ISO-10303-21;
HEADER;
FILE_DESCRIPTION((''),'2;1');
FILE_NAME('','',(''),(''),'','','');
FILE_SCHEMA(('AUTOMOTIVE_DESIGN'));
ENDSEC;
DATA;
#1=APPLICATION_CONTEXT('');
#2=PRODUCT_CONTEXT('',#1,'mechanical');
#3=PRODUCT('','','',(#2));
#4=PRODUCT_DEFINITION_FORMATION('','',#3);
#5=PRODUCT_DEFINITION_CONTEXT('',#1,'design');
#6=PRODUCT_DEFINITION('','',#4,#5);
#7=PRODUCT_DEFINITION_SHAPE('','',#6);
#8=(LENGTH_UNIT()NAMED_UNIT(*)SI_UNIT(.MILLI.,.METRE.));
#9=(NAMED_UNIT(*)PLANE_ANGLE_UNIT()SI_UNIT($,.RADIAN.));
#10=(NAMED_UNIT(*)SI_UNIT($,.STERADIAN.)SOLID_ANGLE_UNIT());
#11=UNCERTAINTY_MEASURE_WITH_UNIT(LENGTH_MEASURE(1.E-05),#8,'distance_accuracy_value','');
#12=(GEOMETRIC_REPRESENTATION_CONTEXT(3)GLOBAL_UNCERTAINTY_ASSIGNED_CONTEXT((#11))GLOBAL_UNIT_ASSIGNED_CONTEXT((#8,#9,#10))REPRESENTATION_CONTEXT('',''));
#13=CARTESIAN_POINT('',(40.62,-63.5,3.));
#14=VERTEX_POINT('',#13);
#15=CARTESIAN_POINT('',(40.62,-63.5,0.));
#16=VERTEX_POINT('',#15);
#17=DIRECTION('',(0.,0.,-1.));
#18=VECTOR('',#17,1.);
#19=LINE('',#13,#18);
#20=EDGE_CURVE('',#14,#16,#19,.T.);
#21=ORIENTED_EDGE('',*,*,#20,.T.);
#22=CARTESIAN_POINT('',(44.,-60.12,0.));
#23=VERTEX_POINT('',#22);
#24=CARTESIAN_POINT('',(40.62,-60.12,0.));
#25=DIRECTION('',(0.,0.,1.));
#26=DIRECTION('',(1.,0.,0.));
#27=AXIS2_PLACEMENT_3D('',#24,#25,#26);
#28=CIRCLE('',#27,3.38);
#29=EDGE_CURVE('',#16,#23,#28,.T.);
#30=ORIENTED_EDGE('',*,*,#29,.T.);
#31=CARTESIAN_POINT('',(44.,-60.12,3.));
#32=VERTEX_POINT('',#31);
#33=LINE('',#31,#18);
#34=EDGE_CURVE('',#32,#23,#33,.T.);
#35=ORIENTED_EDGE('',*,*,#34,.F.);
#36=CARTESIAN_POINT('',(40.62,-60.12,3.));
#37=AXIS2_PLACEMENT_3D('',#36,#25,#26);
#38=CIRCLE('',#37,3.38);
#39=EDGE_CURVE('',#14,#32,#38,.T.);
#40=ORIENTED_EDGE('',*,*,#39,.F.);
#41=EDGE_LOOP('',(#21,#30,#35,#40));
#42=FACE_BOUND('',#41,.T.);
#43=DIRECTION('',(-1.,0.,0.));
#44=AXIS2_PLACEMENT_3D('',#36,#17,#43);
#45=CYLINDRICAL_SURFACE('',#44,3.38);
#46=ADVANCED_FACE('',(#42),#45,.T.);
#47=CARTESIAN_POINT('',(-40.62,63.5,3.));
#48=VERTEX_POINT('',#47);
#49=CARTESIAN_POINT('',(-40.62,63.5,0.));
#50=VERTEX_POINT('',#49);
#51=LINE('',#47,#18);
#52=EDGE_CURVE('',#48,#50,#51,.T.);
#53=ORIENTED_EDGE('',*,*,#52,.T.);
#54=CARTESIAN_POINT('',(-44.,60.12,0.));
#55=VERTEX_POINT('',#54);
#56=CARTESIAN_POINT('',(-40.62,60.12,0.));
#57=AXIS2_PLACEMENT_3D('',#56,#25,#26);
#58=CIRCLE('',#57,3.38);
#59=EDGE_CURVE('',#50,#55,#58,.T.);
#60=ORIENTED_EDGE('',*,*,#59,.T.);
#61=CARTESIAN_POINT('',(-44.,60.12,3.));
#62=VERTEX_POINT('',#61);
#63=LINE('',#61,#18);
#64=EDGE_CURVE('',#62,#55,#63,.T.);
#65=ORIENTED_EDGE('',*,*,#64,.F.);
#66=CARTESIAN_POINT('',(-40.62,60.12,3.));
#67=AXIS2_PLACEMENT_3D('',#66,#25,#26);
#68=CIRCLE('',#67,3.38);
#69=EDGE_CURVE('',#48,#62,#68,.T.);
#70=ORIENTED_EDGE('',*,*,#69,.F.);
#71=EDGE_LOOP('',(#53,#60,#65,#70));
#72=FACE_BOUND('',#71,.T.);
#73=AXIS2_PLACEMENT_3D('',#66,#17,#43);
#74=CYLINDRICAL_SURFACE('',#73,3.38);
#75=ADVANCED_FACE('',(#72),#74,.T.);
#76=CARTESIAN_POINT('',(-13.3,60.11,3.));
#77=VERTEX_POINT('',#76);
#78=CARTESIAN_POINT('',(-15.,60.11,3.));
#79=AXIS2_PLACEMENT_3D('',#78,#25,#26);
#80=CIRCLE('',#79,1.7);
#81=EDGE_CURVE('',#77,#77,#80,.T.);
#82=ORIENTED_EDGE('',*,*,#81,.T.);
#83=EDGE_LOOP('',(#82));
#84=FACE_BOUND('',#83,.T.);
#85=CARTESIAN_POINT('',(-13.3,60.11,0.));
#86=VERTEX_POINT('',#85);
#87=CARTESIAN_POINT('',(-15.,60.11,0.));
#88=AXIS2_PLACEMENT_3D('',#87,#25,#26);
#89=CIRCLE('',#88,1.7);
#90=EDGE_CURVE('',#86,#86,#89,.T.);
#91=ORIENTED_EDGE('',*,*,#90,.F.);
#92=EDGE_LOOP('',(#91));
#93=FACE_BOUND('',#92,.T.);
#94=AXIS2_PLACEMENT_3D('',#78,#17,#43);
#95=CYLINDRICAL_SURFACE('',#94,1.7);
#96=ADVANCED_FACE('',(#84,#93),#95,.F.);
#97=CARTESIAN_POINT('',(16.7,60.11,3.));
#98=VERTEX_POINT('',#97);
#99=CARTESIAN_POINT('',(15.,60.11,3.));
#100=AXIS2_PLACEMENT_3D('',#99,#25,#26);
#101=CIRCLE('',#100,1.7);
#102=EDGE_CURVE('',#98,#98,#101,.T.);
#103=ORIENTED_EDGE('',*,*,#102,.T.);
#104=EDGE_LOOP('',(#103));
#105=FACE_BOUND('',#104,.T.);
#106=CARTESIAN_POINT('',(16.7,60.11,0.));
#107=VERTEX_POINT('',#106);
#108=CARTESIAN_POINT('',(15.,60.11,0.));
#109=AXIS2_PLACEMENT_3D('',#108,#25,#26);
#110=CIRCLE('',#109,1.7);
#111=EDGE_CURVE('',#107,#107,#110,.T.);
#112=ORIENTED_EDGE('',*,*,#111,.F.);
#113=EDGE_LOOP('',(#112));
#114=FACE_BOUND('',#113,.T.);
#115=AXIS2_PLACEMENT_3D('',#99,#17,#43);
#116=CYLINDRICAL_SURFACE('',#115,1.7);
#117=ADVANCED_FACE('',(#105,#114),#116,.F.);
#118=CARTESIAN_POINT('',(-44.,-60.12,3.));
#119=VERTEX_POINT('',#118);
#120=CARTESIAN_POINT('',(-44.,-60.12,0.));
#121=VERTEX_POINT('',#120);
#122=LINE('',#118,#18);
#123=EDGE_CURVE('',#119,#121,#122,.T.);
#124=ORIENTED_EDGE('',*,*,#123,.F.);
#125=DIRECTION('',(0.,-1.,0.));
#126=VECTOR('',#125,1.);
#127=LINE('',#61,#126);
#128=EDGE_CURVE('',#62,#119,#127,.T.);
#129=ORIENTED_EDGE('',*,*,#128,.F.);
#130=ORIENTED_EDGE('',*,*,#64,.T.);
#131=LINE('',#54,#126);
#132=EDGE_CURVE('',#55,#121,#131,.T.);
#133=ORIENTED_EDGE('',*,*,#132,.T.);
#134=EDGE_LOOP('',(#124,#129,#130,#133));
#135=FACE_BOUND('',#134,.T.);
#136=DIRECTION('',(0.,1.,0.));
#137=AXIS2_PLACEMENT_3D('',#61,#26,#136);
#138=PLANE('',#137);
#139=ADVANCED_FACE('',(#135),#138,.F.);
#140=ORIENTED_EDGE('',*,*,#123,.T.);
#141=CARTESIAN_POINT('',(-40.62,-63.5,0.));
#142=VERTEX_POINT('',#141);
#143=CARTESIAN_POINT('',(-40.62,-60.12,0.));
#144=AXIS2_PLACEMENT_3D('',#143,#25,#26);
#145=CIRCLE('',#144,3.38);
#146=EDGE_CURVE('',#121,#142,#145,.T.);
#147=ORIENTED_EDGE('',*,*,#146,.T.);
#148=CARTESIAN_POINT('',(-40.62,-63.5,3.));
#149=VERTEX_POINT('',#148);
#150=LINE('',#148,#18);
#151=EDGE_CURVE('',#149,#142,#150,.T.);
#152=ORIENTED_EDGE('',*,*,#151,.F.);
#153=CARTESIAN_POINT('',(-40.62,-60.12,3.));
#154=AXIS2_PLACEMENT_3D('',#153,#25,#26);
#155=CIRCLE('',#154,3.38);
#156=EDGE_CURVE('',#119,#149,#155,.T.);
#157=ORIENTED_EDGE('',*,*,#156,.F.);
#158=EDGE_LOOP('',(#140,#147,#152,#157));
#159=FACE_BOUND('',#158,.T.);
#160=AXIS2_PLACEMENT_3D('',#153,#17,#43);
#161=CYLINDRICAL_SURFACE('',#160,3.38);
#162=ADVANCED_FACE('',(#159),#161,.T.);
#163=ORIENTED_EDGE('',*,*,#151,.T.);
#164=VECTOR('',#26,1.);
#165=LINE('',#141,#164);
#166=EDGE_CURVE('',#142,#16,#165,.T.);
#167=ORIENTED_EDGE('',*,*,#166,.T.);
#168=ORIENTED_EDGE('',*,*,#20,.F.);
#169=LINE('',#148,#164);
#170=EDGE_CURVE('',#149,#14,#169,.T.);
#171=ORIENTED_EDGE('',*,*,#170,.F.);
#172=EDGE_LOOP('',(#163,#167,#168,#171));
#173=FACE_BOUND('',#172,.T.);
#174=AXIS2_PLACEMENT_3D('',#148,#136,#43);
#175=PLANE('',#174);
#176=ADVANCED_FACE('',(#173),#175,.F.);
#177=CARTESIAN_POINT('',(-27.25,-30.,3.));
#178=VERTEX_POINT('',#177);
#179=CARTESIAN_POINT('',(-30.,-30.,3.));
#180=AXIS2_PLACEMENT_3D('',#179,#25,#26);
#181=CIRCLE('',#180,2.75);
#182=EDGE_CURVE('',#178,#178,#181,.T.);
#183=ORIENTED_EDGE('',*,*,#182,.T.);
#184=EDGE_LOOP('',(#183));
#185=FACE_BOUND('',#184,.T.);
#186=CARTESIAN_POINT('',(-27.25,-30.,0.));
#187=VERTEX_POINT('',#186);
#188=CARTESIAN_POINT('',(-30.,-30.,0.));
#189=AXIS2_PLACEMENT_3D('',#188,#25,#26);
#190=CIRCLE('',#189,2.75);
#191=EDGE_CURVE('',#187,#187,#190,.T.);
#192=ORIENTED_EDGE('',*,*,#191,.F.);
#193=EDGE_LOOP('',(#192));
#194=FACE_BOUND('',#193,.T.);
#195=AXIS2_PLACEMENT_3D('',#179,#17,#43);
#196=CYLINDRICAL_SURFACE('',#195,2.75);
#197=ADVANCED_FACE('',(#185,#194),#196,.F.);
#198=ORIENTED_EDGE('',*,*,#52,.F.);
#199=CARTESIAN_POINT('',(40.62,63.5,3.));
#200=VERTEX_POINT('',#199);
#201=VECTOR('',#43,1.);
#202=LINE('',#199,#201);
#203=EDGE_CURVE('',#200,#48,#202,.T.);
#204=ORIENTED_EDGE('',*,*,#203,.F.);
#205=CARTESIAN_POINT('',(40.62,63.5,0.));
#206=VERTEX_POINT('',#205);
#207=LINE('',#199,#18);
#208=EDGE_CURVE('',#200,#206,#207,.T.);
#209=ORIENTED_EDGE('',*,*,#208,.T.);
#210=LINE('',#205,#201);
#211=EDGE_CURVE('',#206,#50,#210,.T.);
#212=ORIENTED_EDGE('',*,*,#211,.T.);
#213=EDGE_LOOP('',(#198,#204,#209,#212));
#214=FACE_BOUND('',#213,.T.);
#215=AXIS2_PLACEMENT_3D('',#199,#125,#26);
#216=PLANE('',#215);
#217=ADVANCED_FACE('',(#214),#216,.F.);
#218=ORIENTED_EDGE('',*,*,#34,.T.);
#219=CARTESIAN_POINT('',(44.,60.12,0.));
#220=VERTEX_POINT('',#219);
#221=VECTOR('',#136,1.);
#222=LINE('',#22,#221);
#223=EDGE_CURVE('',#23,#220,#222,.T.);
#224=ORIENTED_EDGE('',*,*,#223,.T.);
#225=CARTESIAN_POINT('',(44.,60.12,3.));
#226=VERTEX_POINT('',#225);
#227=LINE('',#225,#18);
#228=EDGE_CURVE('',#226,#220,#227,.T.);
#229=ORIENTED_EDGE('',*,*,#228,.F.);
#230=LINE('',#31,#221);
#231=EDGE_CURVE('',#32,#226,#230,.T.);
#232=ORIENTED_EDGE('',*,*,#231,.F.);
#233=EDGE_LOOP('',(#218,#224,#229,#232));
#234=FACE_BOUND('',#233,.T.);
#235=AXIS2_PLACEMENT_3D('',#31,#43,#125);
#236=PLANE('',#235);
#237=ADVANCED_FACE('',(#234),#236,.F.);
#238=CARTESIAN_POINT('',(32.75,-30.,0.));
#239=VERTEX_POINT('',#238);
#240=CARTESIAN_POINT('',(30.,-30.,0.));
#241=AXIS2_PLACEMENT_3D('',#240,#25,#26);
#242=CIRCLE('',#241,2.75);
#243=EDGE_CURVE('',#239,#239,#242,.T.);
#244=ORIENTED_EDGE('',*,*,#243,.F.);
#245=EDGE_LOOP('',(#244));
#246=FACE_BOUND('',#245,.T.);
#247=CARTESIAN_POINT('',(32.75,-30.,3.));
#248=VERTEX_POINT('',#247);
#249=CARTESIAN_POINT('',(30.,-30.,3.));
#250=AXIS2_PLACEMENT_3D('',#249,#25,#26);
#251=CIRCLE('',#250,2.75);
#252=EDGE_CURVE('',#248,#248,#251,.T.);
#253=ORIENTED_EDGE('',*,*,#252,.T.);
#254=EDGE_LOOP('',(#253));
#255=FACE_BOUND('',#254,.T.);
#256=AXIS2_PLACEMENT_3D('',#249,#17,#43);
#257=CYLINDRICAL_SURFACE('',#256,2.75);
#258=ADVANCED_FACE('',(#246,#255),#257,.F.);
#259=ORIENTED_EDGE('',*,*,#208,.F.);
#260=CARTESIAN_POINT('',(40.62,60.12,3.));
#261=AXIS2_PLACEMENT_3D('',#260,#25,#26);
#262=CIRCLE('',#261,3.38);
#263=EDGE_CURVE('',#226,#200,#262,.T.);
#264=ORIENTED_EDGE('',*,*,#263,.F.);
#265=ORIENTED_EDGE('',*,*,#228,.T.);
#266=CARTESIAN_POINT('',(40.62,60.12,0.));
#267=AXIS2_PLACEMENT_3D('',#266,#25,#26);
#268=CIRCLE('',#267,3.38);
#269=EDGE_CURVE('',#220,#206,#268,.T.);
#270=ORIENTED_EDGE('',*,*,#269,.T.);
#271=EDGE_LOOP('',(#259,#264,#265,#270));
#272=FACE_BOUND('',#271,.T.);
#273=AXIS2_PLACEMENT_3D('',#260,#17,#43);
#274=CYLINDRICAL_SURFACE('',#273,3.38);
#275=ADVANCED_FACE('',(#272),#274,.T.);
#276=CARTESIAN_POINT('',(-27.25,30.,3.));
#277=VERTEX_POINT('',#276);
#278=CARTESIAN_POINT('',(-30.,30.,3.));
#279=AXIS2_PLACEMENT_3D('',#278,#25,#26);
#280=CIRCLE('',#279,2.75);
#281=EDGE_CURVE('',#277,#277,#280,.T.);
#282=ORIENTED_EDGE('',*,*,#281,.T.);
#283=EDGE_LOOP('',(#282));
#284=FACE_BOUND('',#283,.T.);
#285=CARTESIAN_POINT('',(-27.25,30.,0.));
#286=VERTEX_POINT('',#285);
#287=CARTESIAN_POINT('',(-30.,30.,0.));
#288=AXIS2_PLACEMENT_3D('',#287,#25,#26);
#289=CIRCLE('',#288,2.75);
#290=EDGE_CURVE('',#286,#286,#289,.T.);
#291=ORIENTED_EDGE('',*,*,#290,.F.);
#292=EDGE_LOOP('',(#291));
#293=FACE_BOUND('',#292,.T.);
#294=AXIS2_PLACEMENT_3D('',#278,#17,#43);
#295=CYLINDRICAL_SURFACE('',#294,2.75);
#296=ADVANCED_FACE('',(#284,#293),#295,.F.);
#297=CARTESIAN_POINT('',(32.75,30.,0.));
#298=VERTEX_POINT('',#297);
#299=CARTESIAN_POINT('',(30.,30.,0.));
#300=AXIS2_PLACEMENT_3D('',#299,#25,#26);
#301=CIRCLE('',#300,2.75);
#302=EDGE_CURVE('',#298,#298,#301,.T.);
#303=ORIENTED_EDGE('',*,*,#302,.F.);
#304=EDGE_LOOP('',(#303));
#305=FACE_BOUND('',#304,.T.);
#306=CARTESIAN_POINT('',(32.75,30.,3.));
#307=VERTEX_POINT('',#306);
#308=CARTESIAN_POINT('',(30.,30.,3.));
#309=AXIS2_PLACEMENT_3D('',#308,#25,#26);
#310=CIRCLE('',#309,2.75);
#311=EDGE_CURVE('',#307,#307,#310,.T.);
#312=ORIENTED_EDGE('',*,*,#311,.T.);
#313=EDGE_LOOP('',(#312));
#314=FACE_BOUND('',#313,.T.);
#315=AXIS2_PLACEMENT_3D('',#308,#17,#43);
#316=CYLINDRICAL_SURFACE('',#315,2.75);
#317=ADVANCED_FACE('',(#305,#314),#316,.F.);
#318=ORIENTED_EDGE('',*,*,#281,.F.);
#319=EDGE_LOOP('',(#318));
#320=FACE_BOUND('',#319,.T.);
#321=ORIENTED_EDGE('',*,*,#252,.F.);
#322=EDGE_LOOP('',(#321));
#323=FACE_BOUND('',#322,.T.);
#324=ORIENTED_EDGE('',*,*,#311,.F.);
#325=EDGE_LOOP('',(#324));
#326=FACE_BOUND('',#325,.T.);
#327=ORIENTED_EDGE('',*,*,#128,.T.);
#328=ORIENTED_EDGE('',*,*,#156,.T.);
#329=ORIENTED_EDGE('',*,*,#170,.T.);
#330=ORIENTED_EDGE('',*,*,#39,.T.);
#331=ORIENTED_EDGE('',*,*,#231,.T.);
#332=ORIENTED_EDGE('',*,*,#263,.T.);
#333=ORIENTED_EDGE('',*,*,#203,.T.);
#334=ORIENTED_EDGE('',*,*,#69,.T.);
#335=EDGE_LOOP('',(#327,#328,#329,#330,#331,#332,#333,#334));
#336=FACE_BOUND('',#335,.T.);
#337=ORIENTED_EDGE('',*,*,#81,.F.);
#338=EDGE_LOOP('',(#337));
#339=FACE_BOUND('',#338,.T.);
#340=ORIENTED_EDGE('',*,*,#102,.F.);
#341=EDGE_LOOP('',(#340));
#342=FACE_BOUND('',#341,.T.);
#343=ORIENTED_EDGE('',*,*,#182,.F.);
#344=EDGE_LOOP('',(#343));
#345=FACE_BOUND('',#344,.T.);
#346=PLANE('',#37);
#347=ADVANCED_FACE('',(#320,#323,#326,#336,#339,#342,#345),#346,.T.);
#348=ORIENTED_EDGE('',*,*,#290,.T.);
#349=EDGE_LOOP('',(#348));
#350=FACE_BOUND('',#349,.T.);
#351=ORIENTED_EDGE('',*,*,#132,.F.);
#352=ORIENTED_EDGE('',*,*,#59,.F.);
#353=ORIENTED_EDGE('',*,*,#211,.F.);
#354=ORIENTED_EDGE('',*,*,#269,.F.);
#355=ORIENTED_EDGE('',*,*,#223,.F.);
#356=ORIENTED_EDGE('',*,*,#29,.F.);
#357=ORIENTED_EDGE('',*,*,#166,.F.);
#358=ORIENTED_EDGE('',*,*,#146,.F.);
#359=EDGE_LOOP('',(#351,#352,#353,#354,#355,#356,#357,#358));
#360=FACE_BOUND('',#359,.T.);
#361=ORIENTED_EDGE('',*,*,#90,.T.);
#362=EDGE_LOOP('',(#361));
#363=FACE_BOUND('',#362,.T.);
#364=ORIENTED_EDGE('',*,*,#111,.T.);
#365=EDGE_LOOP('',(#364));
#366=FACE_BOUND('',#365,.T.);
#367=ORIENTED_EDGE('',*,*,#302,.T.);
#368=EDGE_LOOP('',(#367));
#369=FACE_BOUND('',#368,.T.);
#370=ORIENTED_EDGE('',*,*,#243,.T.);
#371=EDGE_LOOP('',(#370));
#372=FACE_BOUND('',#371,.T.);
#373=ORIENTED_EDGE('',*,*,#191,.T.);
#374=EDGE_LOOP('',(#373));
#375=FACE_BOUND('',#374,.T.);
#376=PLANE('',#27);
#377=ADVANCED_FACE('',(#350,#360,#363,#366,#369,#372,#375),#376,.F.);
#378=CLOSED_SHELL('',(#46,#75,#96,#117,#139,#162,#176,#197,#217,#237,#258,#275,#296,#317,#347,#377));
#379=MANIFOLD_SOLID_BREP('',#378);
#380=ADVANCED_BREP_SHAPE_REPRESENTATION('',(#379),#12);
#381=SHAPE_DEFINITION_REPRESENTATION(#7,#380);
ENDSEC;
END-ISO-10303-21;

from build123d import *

# Parameters (mm, degrees)
SKETCH1_R           = 2.75
SKETCH1_R_2         = 1.7
BOSS_EXTRUDE1_DEPTH = 3


with BuildPart() as part:
    # Sketch1 → Boss-Extrude1 (new body)
    with BuildSketch(Plane.XY):
        with BuildLine():
            Line((44, -60.12), (44, 60.12))
            ThreePointArc((44, 60.12), (43.01002092, 62.51002092), (40.62, 63.5))
            Line((40.62, 63.5), (-40.62, 63.5))
            ThreePointArc((-40.62, 63.5), (-43.01002092, 62.51002092), (-44, 60.12))
            Line((-44, 60.12), (-44, -60.12))
            ThreePointArc((-44, -60.12), (-43.01002092, -62.51002092), (-40.62, -63.5))
            Line((-40.62, -63.5), (40.62, -63.5))
            ThreePointArc((40.62, -63.5), (43.01002092, -62.51002092), (44, -60.12))
        make_face()
        with Locations((-30, 30)):
            Circle(SKETCH1_R, mode=Mode.SUBTRACT)
        with Locations((30, 30)):
            Circle(SKETCH1_R, mode=Mode.SUBTRACT)
        with Locations((-30, -30)):
            Circle(SKETCH1_R, mode=Mode.SUBTRACT)
        with Locations((30, -30)):
            Circle(SKETCH1_R, mode=Mode.SUBTRACT)
        with Locations((15, 60.11)):
            Circle(SKETCH1_R_2, mode=Mode.SUBTRACT)
        with Locations((-15, 60.11)):
            Circle(SKETCH1_R_2, mode=Mode.SUBTRACT)
    extrude(amount=BOSS_EXTRUDE1_DEPTH)


solid = part.part
